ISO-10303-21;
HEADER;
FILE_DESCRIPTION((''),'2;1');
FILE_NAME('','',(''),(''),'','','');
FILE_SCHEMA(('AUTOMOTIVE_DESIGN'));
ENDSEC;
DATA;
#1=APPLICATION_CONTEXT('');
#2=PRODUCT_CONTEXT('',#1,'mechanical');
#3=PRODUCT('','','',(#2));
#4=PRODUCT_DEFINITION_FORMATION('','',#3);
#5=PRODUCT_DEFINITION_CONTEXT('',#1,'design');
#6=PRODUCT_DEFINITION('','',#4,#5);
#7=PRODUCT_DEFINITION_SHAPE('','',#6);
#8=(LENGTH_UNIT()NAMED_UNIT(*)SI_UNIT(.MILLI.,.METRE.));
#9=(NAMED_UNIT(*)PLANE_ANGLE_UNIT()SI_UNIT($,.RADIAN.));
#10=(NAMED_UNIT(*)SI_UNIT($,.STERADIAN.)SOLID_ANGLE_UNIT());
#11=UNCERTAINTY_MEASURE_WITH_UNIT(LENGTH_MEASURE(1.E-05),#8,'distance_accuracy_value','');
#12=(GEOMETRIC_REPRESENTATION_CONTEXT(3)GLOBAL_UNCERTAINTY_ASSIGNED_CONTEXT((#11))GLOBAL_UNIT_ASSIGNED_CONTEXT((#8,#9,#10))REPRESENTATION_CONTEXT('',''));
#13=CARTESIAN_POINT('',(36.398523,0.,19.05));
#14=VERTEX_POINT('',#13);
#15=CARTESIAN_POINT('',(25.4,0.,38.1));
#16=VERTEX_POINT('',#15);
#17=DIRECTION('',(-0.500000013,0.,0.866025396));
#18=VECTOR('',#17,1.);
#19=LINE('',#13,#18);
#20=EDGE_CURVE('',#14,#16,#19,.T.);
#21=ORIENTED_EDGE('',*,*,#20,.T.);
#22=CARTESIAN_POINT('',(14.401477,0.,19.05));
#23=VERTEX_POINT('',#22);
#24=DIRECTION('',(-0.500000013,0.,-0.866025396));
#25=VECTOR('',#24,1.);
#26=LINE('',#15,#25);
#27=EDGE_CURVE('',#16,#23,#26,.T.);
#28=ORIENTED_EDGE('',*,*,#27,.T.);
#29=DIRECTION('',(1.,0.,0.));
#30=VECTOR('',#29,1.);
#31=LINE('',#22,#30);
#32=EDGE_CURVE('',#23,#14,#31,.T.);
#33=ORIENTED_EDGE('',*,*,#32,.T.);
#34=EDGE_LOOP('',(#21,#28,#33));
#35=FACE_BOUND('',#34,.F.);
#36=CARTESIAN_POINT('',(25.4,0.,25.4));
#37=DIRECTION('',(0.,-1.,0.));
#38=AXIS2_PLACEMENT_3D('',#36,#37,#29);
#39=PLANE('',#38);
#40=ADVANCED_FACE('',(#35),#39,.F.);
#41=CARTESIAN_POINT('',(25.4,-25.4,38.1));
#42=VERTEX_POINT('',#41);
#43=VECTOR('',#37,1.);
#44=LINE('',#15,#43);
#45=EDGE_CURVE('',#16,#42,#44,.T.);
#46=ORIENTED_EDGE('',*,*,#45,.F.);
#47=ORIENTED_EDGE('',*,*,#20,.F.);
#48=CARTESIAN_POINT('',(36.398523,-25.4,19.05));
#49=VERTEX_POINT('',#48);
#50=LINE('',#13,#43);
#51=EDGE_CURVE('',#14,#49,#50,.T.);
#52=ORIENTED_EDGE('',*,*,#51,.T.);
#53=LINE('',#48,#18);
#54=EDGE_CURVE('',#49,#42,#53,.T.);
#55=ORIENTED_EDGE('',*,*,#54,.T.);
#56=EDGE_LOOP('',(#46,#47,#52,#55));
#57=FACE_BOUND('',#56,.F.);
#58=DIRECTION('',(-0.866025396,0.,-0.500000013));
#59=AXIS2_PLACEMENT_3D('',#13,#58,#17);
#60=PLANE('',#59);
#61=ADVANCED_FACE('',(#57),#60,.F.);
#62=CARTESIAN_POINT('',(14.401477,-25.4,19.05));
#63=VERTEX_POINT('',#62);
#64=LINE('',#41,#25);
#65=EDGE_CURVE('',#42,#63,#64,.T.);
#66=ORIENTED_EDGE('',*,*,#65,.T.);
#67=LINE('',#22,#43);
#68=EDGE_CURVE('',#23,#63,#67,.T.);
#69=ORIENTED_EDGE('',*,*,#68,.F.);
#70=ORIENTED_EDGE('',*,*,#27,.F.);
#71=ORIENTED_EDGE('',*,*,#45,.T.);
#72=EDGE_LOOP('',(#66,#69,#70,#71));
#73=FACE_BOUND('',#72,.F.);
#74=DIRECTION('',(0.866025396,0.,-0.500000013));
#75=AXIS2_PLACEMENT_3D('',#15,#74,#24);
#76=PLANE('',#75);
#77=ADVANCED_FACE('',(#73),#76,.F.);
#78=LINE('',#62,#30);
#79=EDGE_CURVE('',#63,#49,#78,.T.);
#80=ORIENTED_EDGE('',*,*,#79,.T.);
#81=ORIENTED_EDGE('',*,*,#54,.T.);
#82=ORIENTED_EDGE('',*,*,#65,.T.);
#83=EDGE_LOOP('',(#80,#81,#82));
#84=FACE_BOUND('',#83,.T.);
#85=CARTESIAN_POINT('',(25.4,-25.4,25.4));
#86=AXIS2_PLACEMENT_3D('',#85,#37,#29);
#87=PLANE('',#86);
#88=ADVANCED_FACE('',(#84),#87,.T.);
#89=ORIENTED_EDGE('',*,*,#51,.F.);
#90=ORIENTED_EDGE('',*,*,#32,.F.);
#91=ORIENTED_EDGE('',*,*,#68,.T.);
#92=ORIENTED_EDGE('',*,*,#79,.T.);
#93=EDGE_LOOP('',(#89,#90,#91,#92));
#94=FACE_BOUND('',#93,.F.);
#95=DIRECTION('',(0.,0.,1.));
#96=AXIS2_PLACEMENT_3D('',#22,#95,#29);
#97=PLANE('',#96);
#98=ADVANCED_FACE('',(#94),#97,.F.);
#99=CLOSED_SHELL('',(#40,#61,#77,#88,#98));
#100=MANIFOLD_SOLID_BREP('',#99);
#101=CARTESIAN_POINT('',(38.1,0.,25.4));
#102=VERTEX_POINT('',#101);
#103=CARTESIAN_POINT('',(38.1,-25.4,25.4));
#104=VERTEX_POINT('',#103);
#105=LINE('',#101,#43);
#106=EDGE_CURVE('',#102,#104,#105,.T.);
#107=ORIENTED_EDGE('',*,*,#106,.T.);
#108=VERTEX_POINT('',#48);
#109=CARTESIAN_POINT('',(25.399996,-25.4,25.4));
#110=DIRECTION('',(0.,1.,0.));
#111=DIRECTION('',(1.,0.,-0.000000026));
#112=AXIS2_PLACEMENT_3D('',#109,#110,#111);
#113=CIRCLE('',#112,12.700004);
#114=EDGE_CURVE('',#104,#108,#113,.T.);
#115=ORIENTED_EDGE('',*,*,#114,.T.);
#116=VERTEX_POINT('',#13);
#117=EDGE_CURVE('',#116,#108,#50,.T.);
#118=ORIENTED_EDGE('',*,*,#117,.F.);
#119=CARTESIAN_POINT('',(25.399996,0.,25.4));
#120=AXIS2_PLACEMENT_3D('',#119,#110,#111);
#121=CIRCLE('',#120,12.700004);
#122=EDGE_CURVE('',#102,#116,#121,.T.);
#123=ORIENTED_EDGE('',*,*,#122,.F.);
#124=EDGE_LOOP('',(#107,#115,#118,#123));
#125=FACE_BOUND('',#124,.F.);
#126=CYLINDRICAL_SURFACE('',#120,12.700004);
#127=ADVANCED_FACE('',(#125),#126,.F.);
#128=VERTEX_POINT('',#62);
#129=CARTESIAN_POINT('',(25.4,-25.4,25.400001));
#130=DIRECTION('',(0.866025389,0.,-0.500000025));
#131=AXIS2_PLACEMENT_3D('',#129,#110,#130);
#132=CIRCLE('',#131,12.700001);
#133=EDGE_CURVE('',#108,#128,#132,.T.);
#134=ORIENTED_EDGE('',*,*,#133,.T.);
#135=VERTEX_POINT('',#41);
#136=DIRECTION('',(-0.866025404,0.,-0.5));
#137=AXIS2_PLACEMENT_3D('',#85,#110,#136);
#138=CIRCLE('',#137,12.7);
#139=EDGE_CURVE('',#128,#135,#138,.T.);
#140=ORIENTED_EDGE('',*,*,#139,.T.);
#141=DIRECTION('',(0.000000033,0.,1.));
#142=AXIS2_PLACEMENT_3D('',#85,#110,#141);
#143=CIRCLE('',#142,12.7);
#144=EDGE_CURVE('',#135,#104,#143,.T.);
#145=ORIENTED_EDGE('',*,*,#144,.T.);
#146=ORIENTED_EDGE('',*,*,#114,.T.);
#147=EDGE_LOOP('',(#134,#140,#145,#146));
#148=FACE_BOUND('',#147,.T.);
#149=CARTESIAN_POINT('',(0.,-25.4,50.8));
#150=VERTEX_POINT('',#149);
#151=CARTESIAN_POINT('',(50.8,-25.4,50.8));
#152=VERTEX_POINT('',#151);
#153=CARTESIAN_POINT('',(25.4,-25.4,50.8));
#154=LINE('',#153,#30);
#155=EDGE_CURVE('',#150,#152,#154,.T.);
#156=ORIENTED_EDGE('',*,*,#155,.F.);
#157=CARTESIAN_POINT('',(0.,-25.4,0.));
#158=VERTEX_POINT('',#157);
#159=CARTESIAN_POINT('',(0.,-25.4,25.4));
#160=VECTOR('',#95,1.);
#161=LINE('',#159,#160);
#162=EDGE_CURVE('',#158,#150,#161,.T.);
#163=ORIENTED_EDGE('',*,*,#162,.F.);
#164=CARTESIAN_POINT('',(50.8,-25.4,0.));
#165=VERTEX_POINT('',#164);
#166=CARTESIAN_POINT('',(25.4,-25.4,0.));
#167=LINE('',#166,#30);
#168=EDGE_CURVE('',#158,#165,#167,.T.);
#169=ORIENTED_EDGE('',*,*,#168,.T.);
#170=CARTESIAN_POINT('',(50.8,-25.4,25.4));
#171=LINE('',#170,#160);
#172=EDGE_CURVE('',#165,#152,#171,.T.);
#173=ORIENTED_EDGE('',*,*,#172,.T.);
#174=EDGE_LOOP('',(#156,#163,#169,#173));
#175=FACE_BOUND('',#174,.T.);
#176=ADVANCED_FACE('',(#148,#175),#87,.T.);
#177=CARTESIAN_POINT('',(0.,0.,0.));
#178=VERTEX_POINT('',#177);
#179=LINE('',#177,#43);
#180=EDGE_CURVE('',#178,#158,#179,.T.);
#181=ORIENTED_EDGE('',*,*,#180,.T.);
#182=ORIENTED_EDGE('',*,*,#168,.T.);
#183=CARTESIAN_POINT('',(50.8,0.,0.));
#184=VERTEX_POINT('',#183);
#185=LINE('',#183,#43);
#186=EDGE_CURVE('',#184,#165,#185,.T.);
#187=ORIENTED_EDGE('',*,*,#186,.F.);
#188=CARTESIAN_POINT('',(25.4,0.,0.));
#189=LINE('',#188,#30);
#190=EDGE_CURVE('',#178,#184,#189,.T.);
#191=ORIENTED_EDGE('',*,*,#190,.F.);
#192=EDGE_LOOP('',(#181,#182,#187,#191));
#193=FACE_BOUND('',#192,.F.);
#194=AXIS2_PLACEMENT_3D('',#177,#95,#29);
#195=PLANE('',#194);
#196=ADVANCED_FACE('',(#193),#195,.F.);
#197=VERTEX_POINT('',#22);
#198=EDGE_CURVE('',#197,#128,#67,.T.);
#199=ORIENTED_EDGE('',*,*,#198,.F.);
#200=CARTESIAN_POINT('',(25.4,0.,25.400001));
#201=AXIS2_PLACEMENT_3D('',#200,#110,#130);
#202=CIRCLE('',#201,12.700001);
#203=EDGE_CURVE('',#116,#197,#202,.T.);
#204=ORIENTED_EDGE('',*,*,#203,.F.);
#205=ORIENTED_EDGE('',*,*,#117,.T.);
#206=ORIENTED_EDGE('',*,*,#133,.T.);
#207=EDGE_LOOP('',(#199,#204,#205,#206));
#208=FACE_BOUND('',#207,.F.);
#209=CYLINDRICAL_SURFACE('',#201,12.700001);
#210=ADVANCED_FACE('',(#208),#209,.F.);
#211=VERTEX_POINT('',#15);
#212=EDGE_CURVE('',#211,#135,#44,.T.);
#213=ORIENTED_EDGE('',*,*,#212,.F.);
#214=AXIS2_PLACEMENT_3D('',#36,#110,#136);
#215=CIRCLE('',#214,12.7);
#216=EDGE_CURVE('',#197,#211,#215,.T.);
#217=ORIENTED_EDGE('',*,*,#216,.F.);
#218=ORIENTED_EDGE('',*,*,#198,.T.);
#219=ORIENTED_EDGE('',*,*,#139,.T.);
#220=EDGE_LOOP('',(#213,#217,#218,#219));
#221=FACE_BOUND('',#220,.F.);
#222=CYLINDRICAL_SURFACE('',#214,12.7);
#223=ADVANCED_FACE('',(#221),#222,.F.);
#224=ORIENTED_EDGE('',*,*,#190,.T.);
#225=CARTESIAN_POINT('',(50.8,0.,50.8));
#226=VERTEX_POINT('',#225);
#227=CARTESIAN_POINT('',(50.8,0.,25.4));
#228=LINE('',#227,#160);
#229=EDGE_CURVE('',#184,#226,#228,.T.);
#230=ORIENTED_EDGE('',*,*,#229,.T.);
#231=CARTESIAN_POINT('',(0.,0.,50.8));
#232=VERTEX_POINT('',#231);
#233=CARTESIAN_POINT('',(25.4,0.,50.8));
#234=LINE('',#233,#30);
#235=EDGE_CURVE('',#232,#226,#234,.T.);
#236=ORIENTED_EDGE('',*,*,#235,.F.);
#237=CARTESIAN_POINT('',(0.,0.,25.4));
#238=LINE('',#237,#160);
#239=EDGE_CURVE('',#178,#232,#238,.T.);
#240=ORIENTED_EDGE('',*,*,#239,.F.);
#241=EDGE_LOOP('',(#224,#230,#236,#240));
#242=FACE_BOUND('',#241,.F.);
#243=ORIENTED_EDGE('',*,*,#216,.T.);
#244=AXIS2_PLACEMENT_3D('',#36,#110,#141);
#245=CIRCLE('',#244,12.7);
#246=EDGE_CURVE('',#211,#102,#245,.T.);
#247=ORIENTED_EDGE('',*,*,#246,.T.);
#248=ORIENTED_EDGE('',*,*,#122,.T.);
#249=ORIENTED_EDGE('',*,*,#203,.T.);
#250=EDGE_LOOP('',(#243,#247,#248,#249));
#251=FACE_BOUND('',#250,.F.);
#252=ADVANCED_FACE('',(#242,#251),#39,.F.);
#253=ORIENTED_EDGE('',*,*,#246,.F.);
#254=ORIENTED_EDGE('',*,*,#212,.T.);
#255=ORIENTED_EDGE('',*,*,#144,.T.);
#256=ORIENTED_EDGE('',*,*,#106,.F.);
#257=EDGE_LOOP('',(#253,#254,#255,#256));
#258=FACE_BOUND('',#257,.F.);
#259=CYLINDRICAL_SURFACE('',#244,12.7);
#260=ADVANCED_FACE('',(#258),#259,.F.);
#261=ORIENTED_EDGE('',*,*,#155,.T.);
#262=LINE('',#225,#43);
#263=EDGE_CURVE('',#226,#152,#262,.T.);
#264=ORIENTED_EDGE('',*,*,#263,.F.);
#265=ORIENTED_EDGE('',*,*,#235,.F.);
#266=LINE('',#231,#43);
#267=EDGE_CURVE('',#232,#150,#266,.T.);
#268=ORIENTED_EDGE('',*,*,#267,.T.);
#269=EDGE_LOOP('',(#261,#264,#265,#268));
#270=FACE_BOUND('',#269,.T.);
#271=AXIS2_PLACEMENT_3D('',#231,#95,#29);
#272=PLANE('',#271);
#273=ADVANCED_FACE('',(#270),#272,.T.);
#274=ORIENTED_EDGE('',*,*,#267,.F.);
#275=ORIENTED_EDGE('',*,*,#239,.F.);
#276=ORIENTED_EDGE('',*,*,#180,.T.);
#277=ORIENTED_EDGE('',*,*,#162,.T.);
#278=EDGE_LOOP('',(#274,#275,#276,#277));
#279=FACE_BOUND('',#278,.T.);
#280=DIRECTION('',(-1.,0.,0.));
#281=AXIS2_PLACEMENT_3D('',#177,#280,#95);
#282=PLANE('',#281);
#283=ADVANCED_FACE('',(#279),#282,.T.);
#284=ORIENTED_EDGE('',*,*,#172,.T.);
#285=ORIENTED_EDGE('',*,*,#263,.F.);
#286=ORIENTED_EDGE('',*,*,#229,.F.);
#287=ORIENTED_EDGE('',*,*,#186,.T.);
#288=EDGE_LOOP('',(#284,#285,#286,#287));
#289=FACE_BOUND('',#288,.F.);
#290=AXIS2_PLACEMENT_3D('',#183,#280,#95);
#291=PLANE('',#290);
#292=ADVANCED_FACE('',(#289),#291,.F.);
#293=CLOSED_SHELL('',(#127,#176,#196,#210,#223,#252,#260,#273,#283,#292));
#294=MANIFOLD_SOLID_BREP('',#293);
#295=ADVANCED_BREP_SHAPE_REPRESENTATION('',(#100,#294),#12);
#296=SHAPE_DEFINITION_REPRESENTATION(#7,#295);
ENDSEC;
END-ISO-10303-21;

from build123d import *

# Parameters (mm, degrees)
F0_W     = 50.8
F0_H     = 50.8
F1_DEPTH = 25.4


with BuildPart() as f1:
    # F0 (on Front) → F1 (new body)
    with BuildSketch(Plane.XZ):
        with Locations((25.4, 25.4)):
            Rectangle(F0_W, F0_H)
        with BuildLine():
            ThreePointArc((14.401477, 19.05), (14.401477, 31.75), (25.4, 38.1))
            ThreePointArc((25.4, 38.1), (34.380256, 34.380256), (38.1, 25.4))
            ThreePointArc((38.1, 25.4), (37.667258, 22.112998), (36.398523, 19.05))
            ThreePointArc((36.398523, 19.05), (25.4, 12.7), (14.401477, 19.05))
        make_face(mode=Mode.SUBTRACT)
        Polygon((36.398523, 19.05), (25.4, 38.1), (14.401477, 19.05), align=None)
    extrude(amount=F1_DEPTH)


solid = f1.part
